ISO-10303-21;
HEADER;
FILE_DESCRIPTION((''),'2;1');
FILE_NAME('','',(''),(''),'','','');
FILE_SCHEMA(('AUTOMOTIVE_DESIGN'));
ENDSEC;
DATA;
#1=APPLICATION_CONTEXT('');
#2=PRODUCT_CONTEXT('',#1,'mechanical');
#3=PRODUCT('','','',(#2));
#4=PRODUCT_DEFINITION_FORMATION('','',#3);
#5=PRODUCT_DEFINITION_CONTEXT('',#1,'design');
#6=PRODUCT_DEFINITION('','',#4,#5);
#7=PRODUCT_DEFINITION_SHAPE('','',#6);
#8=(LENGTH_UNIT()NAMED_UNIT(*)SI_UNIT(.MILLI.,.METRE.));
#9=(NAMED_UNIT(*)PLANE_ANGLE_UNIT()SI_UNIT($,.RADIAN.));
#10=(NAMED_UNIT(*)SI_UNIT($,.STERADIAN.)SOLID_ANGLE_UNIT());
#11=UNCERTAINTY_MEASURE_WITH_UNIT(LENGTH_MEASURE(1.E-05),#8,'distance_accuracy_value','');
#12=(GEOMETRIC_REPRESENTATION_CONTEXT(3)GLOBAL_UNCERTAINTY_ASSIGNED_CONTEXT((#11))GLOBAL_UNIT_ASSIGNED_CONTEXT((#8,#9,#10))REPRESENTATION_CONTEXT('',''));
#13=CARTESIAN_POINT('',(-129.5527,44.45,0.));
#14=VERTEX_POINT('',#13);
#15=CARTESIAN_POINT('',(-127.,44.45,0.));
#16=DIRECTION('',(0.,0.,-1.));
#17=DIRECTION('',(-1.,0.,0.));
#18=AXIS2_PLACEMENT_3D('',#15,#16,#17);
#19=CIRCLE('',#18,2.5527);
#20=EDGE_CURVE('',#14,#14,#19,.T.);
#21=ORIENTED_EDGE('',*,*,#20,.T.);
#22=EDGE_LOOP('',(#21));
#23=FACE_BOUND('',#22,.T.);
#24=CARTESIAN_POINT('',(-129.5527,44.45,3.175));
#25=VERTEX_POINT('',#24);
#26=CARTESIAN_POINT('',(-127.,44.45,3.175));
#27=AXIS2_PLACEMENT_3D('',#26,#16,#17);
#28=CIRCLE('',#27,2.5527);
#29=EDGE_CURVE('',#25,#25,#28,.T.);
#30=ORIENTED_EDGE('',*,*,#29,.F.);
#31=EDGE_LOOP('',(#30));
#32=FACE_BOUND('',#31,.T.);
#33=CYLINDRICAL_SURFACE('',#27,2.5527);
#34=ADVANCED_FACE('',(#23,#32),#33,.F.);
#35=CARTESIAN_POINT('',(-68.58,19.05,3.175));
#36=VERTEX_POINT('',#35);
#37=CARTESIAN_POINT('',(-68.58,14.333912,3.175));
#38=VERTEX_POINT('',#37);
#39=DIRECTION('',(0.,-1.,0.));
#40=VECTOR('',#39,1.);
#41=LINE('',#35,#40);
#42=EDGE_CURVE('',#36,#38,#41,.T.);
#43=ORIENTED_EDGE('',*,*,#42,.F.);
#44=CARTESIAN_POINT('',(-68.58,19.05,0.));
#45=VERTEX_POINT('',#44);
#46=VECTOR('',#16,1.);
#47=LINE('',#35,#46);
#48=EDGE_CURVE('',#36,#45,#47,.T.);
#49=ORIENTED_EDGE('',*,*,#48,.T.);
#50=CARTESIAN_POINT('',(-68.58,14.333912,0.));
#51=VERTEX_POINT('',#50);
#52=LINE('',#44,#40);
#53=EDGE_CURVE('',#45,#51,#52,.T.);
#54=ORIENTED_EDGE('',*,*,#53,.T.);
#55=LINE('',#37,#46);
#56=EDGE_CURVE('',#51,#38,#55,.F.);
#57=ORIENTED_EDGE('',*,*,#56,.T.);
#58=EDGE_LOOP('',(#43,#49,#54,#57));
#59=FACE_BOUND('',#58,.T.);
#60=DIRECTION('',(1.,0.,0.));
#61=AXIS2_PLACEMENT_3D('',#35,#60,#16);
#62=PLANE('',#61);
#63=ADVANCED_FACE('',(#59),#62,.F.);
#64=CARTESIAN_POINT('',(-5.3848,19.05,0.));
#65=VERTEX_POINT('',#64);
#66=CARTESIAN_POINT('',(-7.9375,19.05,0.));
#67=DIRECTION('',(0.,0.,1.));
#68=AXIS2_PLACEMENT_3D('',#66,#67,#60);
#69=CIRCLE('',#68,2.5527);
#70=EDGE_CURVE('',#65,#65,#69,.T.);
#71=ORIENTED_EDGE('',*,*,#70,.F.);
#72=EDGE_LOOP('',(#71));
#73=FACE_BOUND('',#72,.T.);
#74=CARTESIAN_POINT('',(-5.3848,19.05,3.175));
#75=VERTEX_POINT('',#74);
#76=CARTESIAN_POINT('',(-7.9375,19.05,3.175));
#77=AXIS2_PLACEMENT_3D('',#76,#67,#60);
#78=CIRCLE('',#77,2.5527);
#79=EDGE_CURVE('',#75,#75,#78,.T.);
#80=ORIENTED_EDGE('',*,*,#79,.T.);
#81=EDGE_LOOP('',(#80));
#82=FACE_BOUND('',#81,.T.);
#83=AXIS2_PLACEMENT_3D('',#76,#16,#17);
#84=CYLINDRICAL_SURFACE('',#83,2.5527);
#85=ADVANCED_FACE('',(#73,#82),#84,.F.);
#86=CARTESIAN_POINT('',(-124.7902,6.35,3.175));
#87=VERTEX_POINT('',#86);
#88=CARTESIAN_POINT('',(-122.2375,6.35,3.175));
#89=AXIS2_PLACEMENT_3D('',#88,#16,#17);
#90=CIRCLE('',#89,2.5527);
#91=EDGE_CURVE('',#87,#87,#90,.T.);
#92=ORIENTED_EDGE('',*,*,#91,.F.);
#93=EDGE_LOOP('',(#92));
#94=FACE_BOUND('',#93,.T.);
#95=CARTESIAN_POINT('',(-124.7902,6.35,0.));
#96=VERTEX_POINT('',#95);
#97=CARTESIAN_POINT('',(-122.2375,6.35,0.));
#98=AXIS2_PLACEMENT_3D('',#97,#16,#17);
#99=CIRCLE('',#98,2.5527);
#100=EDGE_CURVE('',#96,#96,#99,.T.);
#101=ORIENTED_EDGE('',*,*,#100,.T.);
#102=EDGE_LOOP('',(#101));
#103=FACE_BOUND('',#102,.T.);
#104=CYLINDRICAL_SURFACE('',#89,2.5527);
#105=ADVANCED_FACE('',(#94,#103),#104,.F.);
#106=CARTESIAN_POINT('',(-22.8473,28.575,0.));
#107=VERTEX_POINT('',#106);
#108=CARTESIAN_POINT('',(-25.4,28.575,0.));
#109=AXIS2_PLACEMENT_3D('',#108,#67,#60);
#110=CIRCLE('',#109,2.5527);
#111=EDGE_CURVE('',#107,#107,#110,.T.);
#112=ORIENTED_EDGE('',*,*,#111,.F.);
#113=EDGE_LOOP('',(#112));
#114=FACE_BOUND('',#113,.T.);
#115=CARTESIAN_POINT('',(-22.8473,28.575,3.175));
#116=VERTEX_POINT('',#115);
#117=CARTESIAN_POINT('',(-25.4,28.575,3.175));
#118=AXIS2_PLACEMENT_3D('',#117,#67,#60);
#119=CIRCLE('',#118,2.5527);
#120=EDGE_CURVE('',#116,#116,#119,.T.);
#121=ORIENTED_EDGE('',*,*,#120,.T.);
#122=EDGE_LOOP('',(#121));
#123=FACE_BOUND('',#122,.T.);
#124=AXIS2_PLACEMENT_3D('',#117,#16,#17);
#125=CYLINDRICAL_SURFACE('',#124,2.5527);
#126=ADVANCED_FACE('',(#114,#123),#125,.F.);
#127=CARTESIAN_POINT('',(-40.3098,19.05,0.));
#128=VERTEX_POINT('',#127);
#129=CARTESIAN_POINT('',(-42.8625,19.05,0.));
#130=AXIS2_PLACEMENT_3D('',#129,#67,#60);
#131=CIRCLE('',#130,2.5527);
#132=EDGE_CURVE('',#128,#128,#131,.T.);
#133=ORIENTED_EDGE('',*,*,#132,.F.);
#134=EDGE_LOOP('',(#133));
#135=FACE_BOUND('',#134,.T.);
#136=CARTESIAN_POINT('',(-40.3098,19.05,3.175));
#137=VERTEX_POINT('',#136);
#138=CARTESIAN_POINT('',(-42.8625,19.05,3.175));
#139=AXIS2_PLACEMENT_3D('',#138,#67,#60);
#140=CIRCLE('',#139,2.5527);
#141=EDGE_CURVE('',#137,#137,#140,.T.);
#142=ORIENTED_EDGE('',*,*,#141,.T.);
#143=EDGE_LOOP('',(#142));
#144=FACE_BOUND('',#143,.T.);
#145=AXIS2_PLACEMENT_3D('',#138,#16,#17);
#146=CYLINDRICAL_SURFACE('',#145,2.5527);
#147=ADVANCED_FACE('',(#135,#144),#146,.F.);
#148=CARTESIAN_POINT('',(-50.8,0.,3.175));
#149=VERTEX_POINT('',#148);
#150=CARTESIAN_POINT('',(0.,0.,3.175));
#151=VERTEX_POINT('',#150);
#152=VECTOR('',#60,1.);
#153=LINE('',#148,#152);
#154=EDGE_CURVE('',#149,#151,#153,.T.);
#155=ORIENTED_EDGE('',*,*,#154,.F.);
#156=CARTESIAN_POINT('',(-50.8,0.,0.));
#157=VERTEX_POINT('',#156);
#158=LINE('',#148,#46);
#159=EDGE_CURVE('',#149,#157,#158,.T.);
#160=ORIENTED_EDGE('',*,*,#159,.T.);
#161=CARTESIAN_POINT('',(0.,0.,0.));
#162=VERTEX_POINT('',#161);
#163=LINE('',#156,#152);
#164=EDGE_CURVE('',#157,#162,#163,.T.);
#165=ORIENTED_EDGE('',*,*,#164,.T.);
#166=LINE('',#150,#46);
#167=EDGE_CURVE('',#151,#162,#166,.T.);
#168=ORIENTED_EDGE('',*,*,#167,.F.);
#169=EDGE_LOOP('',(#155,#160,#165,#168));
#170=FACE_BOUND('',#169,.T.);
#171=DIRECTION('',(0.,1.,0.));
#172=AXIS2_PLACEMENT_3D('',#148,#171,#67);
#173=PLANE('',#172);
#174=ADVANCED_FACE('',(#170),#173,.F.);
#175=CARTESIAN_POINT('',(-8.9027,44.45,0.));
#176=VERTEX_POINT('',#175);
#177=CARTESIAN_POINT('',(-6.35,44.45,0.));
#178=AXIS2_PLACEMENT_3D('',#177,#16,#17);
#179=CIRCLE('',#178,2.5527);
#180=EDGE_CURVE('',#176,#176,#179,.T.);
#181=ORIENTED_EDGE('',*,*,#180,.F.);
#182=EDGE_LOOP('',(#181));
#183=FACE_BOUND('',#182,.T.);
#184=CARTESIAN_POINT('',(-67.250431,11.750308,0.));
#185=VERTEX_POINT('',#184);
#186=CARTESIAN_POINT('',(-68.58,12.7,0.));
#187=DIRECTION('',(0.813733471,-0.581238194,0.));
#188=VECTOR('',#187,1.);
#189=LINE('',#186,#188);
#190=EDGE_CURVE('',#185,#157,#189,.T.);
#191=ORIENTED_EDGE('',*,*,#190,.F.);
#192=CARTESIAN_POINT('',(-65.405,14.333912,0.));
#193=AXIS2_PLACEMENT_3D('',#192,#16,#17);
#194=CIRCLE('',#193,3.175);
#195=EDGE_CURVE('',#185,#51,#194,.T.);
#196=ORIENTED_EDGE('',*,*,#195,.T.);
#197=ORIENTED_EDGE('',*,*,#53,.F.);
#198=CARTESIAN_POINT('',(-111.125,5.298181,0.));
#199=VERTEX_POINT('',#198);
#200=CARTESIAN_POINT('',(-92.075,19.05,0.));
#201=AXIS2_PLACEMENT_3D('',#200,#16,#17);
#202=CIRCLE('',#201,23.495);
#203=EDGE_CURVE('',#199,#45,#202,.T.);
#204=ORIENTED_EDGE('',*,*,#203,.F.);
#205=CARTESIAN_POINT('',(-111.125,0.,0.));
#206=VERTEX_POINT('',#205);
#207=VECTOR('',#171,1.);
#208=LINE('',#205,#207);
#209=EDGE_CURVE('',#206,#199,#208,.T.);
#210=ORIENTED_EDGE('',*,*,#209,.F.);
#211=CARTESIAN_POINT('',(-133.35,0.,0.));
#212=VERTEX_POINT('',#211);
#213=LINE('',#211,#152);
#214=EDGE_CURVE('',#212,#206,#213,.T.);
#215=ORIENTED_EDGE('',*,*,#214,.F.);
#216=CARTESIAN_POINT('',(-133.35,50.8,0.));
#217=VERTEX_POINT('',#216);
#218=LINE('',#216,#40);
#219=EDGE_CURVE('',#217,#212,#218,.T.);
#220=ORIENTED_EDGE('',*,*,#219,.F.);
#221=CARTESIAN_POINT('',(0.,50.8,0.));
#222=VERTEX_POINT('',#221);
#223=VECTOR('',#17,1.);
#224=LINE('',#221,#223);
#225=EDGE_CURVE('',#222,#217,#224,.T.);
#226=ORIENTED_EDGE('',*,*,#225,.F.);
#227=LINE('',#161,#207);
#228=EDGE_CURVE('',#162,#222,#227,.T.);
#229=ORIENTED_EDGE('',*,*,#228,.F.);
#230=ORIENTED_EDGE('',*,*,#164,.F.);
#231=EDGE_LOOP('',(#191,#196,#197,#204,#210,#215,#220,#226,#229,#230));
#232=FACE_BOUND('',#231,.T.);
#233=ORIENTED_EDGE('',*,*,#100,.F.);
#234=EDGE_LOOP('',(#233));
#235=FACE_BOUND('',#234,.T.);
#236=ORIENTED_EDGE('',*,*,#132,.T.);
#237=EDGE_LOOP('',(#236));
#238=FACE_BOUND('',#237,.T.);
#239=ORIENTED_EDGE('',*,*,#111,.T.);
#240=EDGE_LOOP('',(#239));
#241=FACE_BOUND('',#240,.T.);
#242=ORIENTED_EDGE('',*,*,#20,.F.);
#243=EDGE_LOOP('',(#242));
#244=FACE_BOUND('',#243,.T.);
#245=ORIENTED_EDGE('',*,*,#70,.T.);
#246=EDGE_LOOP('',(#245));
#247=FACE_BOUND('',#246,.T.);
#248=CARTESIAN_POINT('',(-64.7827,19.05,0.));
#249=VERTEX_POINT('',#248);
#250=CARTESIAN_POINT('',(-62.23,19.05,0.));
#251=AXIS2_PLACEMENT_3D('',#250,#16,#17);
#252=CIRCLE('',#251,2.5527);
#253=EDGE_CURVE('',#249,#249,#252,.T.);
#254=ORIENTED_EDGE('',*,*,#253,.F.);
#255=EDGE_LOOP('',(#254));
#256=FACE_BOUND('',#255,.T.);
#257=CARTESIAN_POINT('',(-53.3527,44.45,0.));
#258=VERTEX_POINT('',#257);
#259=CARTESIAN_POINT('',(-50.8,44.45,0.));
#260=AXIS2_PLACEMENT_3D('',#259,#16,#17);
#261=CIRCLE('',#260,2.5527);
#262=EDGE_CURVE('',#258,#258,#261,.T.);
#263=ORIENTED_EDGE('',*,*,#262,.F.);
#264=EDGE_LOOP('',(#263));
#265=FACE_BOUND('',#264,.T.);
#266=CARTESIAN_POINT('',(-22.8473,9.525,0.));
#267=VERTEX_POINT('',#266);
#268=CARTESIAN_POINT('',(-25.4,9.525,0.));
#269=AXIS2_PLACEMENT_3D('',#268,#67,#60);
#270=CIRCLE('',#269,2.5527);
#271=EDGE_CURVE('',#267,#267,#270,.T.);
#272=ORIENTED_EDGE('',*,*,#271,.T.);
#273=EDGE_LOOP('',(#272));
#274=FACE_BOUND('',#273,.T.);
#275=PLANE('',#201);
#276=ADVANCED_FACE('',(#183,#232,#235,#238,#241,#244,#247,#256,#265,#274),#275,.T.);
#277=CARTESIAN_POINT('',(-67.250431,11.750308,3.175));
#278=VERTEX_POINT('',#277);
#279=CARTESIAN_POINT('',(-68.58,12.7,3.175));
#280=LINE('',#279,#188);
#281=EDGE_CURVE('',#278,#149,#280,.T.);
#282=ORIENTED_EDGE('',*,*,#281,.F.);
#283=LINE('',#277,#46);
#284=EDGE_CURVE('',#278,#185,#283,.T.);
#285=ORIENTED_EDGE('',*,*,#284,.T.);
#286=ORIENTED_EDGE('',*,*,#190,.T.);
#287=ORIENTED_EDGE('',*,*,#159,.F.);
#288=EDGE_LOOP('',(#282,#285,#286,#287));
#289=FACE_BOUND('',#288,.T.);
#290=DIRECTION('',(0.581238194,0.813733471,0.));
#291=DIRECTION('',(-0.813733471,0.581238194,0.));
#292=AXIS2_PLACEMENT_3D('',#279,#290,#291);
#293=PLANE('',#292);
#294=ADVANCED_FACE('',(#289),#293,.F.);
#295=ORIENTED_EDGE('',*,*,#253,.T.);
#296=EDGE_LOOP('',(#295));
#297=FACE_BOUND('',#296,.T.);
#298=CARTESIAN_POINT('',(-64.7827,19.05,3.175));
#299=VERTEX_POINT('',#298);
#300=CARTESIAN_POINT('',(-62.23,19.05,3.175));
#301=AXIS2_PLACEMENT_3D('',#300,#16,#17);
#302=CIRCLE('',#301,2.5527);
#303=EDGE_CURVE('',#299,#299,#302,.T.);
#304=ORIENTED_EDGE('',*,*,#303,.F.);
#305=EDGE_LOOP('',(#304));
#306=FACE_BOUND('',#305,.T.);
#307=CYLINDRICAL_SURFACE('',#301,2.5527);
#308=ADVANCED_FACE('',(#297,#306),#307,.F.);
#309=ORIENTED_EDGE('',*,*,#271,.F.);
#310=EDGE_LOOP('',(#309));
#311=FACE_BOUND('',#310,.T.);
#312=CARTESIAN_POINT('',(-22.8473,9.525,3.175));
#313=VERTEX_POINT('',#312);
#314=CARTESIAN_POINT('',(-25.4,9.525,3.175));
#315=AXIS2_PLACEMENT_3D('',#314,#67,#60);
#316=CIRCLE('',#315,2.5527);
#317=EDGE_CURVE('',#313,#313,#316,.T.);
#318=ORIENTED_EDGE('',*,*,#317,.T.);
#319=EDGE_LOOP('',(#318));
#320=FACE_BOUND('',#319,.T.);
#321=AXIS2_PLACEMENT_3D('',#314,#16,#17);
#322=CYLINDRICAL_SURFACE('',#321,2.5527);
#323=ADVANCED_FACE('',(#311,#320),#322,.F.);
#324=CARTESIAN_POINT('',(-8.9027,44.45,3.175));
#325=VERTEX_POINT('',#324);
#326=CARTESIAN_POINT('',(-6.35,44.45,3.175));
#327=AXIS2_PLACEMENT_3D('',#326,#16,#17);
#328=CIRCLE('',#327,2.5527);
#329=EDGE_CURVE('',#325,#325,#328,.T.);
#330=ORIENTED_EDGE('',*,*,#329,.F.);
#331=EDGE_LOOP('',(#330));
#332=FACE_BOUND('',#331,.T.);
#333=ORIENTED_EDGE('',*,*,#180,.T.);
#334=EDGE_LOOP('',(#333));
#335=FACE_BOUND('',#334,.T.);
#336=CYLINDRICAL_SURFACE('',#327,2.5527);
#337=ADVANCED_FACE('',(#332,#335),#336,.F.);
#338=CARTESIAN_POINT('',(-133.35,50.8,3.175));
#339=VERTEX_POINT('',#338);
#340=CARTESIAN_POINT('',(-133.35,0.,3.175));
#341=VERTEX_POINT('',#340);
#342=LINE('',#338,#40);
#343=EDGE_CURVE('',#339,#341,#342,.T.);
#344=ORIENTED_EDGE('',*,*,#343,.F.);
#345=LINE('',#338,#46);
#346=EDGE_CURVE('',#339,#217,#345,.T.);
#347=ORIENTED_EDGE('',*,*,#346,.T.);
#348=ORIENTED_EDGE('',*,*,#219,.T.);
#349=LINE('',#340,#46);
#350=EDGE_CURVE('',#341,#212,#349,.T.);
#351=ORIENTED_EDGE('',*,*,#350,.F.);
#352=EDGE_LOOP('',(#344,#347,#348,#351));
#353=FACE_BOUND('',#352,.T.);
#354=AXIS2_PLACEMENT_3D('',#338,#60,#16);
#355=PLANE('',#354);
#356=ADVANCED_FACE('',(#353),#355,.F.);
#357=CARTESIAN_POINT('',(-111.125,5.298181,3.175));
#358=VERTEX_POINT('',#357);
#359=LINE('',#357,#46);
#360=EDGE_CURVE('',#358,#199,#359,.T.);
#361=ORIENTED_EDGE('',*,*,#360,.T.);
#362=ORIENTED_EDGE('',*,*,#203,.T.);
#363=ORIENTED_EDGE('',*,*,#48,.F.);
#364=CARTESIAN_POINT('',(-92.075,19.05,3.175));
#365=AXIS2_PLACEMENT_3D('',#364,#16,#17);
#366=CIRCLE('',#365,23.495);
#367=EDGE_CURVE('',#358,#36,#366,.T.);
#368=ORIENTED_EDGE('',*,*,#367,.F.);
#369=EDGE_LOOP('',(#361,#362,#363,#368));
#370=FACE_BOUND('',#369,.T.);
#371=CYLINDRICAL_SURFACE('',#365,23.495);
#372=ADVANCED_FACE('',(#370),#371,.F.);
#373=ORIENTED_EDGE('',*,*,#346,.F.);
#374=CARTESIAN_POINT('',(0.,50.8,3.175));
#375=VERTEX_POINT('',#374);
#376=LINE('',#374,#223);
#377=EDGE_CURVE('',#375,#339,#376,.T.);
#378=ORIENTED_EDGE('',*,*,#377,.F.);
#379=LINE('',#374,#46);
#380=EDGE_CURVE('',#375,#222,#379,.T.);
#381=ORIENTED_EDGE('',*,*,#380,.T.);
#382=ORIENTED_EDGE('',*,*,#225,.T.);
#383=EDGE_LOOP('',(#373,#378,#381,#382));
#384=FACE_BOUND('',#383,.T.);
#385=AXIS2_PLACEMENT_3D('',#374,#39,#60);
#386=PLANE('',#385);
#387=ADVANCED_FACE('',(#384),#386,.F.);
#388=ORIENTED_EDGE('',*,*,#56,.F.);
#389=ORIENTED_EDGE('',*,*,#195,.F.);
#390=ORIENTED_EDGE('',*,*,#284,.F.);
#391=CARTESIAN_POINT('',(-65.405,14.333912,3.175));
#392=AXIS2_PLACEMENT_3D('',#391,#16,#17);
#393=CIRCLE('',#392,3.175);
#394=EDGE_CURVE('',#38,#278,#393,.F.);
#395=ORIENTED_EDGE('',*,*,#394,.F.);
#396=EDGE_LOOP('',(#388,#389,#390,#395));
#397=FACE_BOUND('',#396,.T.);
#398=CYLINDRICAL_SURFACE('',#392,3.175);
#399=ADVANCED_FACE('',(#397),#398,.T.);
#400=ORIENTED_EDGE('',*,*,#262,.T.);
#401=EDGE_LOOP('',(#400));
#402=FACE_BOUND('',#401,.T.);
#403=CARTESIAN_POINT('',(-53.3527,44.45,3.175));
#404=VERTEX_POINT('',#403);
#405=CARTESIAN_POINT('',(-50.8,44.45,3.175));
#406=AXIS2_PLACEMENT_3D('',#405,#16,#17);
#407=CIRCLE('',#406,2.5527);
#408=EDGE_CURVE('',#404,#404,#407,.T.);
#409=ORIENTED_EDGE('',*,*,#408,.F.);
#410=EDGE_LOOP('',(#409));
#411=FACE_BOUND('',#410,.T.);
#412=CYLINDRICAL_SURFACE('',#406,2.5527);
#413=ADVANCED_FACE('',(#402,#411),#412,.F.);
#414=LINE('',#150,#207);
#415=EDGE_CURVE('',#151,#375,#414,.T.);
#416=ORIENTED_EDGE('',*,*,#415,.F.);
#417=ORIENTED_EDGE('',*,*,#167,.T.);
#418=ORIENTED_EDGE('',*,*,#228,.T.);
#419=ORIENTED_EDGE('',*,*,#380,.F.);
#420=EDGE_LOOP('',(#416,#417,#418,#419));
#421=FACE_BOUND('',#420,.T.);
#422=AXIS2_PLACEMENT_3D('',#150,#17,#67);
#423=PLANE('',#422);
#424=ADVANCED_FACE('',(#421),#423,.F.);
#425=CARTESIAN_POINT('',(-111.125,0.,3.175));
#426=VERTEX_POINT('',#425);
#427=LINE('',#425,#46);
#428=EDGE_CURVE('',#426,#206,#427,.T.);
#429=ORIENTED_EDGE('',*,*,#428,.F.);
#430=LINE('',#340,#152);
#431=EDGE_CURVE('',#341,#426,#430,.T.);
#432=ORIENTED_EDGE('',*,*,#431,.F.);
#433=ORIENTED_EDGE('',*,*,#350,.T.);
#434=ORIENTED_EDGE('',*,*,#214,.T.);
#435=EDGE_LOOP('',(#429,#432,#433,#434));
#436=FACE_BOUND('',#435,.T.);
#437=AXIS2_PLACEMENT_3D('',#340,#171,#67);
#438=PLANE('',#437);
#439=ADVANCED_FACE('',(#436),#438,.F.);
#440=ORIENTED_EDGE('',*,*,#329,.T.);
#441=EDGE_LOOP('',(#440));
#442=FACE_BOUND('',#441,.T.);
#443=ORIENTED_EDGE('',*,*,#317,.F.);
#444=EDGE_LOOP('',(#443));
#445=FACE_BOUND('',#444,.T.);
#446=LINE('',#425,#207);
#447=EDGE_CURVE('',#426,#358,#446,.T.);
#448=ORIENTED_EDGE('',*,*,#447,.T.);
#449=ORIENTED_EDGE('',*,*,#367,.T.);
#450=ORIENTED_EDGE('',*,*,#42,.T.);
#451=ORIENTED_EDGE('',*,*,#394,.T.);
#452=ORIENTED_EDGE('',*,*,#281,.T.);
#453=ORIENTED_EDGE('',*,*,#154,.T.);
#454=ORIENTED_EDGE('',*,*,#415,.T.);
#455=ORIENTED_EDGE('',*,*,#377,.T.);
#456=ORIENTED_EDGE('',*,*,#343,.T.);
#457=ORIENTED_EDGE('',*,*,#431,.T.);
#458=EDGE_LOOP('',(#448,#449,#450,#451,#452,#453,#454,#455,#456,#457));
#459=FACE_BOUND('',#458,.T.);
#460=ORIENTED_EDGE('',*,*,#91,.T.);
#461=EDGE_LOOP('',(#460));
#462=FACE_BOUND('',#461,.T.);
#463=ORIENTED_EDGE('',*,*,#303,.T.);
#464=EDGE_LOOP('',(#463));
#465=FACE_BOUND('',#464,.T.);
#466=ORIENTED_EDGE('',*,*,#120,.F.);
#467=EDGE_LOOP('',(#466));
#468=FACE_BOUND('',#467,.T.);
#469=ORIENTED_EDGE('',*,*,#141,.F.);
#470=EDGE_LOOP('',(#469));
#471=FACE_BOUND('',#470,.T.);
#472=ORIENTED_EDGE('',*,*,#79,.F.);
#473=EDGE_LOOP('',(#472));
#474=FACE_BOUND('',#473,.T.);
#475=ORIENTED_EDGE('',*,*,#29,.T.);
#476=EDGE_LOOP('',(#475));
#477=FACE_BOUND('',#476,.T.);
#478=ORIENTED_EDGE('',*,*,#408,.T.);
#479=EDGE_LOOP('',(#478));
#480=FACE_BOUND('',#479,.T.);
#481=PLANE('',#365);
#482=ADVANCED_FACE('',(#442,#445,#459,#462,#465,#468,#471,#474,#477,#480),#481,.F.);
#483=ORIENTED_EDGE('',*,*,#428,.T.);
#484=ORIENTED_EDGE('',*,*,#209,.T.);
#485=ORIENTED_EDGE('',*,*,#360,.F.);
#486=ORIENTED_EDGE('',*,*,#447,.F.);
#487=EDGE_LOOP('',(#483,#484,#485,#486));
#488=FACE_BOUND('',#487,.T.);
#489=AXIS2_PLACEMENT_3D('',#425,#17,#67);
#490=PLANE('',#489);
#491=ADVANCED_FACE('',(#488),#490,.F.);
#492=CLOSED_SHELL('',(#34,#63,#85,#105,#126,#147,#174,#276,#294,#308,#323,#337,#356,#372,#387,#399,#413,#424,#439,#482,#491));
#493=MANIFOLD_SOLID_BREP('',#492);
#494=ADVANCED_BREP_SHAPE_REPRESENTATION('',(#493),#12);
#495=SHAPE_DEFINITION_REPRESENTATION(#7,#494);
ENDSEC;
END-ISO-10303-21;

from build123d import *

# Parameters (mm, degrees)
SKETCH1_R           = 2.5527
BOSS_EXTRUDE1_DEPTH = 3.175
SKETCH3_R           = 2.5527
CUT_EXTRUDE2_DEPTH  = 143.733819135
FILLET1_R           = 3.175


with BuildPart() as part:
    # Sketch1 → Boss-Extrude1 (new body)
    with BuildSketch(Plane.XY):
        with BuildLine():
            Line((0, 0), (0, 50.8))
            Line((0, 50.8), (-133.35, 50.8))
            Line((-133.35, 50.8), (-133.35, 0))
            Line((-133.35, 0), (-111.125, 0))
            Line((-111.125, 0), (-111.125, 5.298181029))
            ThreePointArc((-111.125, 5.298181029), (-99.30117724, 41.406148763), (-68.58, 19.05))
            Line((-68.58, 19.05), (-68.58, 12.7))
            Line((-68.58, 12.7), (-50.8, 0))
            Line((-50.8, 0), (0, 0))
        make_face()
        with Locations((-25.4, 9.525)):
            Circle(SKETCH1_R, mode=Mode.SUBTRACT)
        with Locations((-25.4, 28.575)):
            Circle(SKETCH1_R, mode=Mode.SUBTRACT)
        with Locations((-7.9375, 19.05)):
            Circle(SKETCH1_R, mode=Mode.SUBTRACT)
        with Locations((-42.8625, 19.05)):
            Circle(SKETCH1_R, mode=Mode.SUBTRACT)
    extrude(amount=BOSS_EXTRUDE1_DEPTH)

    # Sketch3 → Cut-Extrude2 (cut, through all)
    with BuildSketch(Plane(origin=(0, 0, 0), x_dir=(-1, 0, 0), z_dir=(0, 0, -1))):
        with Locations((122.2375, 6.35)):
            Circle(SKETCH3_R)
        with Locations((127, 44.45)):
            Circle(SKETCH3_R)
        with Locations((6.35, 44.45)):
            Circle(SKETCH3_R)
        with Locations((50.8, 44.45)):
            Circle(SKETCH3_R)
        with Locations((62.23, 19.05)):
            Circle(SKETCH3_R)
    extrude(amount=-CUT_EXTRUDE2_DEPTH, mode=Mode.SUBTRACT)

    # Fillet1
    fillet1_edges = [part.edges().sort_by_distance(p)[0] for p in [
        (-68.58, 12.7, 1.5875),
    ]]
    fillet(fillet1_edges, radius=FILLET1_R)


solid = part.part
